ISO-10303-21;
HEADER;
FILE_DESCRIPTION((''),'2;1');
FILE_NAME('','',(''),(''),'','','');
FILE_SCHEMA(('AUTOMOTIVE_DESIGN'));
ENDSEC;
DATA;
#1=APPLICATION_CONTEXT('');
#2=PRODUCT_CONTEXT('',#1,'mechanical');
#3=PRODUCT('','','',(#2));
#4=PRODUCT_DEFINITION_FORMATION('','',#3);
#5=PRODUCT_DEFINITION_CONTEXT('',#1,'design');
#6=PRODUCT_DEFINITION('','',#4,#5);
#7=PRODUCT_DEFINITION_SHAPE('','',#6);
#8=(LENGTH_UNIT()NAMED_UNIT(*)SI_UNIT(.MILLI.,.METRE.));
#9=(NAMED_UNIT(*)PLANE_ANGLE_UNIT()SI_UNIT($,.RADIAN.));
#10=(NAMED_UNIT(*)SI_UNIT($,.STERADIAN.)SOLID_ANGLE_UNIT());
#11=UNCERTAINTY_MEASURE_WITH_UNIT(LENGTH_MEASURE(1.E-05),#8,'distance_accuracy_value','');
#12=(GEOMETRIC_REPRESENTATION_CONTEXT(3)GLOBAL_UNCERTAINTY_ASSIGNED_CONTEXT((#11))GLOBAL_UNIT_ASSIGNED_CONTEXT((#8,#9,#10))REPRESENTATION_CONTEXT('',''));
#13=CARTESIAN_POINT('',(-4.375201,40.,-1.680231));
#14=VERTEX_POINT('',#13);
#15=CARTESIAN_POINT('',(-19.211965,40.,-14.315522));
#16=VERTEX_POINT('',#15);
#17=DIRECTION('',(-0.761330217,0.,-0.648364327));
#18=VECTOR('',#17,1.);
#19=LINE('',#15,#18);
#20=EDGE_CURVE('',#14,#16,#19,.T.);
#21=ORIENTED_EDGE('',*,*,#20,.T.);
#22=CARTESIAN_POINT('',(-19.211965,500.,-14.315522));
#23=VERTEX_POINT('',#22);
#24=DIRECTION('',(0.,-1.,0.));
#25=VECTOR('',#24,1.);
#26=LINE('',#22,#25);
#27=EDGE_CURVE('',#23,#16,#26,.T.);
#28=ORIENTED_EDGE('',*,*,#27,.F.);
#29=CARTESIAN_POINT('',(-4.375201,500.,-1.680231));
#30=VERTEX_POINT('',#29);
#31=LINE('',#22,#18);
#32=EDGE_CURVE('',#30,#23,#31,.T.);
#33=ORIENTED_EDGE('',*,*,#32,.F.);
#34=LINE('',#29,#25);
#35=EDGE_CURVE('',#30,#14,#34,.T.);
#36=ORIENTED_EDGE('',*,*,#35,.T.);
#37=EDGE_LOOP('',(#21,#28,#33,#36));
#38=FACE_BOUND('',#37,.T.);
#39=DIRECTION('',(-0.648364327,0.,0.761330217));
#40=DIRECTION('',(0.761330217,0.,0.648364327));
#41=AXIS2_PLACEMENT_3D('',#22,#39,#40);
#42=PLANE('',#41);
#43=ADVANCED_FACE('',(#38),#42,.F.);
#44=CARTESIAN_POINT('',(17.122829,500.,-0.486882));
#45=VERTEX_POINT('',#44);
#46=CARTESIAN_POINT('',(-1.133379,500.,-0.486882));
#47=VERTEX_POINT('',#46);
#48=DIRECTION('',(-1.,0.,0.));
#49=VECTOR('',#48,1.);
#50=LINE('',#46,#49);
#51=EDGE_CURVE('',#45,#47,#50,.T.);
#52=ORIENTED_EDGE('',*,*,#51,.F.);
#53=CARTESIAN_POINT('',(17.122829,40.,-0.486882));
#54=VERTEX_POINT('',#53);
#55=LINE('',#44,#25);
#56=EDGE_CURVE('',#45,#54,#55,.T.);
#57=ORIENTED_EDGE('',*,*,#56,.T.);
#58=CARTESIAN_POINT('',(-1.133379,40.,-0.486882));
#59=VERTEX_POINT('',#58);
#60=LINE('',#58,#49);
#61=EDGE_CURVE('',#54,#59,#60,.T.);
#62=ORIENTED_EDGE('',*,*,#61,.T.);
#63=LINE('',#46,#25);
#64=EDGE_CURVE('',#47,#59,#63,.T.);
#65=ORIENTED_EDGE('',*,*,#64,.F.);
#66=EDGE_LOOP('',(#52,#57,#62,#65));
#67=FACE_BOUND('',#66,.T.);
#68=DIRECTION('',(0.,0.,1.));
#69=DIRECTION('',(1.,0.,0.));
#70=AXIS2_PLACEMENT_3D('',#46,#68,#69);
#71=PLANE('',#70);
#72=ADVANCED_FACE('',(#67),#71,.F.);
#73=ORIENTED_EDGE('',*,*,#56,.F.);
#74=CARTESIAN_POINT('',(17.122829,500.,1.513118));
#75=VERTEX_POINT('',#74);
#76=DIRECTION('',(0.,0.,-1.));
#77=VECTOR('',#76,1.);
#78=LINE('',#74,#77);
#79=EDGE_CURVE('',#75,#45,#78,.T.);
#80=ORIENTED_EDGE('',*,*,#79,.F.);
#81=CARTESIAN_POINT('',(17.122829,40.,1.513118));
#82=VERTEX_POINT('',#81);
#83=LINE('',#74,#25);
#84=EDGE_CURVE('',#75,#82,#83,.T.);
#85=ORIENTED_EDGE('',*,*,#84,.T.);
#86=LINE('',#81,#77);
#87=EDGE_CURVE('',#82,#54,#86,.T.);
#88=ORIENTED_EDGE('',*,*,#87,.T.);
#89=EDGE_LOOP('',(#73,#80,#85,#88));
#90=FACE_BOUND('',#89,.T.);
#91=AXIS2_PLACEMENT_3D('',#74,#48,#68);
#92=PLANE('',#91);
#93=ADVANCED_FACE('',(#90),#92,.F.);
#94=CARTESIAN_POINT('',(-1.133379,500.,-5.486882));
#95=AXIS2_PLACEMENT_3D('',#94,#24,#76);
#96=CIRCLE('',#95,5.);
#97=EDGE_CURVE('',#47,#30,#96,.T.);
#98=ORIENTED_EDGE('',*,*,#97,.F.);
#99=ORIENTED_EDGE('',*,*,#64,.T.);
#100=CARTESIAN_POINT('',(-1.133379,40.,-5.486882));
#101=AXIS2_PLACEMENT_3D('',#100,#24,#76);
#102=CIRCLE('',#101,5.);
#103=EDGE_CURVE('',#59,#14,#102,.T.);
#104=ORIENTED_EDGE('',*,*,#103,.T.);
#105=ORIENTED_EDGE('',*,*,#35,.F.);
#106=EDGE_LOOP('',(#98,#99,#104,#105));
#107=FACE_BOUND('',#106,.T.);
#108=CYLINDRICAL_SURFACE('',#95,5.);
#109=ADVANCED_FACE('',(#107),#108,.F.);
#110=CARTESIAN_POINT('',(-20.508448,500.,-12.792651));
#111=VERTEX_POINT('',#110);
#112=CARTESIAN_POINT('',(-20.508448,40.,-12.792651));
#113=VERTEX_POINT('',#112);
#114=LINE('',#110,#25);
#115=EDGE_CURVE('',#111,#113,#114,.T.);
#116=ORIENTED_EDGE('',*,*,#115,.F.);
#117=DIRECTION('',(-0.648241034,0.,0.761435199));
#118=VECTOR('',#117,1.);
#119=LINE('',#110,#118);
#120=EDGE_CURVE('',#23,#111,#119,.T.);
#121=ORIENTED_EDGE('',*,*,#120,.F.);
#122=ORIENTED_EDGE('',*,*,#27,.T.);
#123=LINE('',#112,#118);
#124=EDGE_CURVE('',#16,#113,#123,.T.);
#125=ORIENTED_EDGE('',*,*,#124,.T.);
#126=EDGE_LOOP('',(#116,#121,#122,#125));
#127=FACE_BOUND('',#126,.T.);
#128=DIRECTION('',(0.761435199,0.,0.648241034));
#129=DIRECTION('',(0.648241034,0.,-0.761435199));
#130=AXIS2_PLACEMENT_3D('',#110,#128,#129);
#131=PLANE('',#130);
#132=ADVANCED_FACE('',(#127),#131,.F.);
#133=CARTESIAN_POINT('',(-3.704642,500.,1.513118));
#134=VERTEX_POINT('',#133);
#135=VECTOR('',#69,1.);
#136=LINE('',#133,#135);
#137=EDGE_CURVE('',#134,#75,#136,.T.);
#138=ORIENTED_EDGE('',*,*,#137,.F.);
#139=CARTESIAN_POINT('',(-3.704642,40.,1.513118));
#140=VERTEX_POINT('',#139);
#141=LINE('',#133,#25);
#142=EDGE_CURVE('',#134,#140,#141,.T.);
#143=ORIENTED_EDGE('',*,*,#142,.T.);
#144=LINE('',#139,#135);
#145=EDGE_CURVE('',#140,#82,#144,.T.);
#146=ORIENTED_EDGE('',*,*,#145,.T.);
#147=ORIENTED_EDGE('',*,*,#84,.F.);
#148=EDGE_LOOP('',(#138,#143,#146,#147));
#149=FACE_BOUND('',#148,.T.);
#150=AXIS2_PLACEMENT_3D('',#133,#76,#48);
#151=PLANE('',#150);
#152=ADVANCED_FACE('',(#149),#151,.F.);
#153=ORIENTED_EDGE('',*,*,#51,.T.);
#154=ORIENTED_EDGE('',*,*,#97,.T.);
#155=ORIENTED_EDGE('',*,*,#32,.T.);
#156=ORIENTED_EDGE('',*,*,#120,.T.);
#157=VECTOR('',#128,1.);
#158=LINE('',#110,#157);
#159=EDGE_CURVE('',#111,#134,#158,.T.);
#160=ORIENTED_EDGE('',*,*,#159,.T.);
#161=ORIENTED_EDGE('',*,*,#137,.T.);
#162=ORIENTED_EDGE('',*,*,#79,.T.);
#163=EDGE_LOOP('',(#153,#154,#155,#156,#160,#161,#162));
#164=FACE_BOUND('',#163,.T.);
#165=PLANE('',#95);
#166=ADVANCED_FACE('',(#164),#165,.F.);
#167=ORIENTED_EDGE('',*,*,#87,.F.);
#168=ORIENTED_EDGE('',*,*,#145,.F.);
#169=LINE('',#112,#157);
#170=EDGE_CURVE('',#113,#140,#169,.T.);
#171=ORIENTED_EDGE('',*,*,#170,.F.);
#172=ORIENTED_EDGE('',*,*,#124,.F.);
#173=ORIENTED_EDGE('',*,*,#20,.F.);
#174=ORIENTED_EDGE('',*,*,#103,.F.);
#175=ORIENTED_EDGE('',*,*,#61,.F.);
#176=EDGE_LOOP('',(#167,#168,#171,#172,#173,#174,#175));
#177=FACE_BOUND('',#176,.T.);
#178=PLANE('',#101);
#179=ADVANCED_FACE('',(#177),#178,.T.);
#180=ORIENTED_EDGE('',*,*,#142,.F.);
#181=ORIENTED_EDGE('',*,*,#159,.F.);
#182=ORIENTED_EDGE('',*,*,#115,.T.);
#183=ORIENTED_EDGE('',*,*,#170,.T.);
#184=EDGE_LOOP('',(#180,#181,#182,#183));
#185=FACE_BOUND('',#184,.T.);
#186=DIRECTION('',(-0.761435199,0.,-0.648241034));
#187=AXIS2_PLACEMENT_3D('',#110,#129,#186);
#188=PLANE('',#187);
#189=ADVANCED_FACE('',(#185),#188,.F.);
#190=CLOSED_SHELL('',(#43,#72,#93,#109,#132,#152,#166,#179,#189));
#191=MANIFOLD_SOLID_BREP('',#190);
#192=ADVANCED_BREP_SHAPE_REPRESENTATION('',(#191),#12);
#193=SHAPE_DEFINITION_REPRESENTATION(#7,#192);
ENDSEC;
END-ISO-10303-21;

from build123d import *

# Parameters (mm, degrees)
EXTRUDE_START   = 40
EXTRUDE_1_DEPTH = 460


with BuildPart() as part:
    # Эскиз1 → Вытянуть1 (new body)
    with BuildSketch(Plane(origin=(0, 0, 0), x_dir=(1, 0, 0), z_dir=(0, 1, 0)).offset(EXTRUDE_START)):
        with BuildLine():
            Line((-20.508447565, 12.792651291), (-19.211965496, 14.315521688))
            Line((-19.211965496, 14.315521688), (-4.37520086, 1.680230584))
            ThreePointArc((-4.37520086, 1.680230584), (-2.860623355, 0.794693725), (-1.133379225, 0.48688167))
            Line((-1.133379225, 0.48688167), (17.122829042, 0.48688167))
            Line((17.122829042, 0.48688167), (17.122829042, -1.51311833))
            Line((17.122829042, -1.51311833), (-3.70464164, -1.51311833))
            Line((-3.70464164, -1.51311833), (-20.508447565, 12.792651291))
        make_face()
    extrude(amount=EXTRUDE_1_DEPTH)


solid = part.part
